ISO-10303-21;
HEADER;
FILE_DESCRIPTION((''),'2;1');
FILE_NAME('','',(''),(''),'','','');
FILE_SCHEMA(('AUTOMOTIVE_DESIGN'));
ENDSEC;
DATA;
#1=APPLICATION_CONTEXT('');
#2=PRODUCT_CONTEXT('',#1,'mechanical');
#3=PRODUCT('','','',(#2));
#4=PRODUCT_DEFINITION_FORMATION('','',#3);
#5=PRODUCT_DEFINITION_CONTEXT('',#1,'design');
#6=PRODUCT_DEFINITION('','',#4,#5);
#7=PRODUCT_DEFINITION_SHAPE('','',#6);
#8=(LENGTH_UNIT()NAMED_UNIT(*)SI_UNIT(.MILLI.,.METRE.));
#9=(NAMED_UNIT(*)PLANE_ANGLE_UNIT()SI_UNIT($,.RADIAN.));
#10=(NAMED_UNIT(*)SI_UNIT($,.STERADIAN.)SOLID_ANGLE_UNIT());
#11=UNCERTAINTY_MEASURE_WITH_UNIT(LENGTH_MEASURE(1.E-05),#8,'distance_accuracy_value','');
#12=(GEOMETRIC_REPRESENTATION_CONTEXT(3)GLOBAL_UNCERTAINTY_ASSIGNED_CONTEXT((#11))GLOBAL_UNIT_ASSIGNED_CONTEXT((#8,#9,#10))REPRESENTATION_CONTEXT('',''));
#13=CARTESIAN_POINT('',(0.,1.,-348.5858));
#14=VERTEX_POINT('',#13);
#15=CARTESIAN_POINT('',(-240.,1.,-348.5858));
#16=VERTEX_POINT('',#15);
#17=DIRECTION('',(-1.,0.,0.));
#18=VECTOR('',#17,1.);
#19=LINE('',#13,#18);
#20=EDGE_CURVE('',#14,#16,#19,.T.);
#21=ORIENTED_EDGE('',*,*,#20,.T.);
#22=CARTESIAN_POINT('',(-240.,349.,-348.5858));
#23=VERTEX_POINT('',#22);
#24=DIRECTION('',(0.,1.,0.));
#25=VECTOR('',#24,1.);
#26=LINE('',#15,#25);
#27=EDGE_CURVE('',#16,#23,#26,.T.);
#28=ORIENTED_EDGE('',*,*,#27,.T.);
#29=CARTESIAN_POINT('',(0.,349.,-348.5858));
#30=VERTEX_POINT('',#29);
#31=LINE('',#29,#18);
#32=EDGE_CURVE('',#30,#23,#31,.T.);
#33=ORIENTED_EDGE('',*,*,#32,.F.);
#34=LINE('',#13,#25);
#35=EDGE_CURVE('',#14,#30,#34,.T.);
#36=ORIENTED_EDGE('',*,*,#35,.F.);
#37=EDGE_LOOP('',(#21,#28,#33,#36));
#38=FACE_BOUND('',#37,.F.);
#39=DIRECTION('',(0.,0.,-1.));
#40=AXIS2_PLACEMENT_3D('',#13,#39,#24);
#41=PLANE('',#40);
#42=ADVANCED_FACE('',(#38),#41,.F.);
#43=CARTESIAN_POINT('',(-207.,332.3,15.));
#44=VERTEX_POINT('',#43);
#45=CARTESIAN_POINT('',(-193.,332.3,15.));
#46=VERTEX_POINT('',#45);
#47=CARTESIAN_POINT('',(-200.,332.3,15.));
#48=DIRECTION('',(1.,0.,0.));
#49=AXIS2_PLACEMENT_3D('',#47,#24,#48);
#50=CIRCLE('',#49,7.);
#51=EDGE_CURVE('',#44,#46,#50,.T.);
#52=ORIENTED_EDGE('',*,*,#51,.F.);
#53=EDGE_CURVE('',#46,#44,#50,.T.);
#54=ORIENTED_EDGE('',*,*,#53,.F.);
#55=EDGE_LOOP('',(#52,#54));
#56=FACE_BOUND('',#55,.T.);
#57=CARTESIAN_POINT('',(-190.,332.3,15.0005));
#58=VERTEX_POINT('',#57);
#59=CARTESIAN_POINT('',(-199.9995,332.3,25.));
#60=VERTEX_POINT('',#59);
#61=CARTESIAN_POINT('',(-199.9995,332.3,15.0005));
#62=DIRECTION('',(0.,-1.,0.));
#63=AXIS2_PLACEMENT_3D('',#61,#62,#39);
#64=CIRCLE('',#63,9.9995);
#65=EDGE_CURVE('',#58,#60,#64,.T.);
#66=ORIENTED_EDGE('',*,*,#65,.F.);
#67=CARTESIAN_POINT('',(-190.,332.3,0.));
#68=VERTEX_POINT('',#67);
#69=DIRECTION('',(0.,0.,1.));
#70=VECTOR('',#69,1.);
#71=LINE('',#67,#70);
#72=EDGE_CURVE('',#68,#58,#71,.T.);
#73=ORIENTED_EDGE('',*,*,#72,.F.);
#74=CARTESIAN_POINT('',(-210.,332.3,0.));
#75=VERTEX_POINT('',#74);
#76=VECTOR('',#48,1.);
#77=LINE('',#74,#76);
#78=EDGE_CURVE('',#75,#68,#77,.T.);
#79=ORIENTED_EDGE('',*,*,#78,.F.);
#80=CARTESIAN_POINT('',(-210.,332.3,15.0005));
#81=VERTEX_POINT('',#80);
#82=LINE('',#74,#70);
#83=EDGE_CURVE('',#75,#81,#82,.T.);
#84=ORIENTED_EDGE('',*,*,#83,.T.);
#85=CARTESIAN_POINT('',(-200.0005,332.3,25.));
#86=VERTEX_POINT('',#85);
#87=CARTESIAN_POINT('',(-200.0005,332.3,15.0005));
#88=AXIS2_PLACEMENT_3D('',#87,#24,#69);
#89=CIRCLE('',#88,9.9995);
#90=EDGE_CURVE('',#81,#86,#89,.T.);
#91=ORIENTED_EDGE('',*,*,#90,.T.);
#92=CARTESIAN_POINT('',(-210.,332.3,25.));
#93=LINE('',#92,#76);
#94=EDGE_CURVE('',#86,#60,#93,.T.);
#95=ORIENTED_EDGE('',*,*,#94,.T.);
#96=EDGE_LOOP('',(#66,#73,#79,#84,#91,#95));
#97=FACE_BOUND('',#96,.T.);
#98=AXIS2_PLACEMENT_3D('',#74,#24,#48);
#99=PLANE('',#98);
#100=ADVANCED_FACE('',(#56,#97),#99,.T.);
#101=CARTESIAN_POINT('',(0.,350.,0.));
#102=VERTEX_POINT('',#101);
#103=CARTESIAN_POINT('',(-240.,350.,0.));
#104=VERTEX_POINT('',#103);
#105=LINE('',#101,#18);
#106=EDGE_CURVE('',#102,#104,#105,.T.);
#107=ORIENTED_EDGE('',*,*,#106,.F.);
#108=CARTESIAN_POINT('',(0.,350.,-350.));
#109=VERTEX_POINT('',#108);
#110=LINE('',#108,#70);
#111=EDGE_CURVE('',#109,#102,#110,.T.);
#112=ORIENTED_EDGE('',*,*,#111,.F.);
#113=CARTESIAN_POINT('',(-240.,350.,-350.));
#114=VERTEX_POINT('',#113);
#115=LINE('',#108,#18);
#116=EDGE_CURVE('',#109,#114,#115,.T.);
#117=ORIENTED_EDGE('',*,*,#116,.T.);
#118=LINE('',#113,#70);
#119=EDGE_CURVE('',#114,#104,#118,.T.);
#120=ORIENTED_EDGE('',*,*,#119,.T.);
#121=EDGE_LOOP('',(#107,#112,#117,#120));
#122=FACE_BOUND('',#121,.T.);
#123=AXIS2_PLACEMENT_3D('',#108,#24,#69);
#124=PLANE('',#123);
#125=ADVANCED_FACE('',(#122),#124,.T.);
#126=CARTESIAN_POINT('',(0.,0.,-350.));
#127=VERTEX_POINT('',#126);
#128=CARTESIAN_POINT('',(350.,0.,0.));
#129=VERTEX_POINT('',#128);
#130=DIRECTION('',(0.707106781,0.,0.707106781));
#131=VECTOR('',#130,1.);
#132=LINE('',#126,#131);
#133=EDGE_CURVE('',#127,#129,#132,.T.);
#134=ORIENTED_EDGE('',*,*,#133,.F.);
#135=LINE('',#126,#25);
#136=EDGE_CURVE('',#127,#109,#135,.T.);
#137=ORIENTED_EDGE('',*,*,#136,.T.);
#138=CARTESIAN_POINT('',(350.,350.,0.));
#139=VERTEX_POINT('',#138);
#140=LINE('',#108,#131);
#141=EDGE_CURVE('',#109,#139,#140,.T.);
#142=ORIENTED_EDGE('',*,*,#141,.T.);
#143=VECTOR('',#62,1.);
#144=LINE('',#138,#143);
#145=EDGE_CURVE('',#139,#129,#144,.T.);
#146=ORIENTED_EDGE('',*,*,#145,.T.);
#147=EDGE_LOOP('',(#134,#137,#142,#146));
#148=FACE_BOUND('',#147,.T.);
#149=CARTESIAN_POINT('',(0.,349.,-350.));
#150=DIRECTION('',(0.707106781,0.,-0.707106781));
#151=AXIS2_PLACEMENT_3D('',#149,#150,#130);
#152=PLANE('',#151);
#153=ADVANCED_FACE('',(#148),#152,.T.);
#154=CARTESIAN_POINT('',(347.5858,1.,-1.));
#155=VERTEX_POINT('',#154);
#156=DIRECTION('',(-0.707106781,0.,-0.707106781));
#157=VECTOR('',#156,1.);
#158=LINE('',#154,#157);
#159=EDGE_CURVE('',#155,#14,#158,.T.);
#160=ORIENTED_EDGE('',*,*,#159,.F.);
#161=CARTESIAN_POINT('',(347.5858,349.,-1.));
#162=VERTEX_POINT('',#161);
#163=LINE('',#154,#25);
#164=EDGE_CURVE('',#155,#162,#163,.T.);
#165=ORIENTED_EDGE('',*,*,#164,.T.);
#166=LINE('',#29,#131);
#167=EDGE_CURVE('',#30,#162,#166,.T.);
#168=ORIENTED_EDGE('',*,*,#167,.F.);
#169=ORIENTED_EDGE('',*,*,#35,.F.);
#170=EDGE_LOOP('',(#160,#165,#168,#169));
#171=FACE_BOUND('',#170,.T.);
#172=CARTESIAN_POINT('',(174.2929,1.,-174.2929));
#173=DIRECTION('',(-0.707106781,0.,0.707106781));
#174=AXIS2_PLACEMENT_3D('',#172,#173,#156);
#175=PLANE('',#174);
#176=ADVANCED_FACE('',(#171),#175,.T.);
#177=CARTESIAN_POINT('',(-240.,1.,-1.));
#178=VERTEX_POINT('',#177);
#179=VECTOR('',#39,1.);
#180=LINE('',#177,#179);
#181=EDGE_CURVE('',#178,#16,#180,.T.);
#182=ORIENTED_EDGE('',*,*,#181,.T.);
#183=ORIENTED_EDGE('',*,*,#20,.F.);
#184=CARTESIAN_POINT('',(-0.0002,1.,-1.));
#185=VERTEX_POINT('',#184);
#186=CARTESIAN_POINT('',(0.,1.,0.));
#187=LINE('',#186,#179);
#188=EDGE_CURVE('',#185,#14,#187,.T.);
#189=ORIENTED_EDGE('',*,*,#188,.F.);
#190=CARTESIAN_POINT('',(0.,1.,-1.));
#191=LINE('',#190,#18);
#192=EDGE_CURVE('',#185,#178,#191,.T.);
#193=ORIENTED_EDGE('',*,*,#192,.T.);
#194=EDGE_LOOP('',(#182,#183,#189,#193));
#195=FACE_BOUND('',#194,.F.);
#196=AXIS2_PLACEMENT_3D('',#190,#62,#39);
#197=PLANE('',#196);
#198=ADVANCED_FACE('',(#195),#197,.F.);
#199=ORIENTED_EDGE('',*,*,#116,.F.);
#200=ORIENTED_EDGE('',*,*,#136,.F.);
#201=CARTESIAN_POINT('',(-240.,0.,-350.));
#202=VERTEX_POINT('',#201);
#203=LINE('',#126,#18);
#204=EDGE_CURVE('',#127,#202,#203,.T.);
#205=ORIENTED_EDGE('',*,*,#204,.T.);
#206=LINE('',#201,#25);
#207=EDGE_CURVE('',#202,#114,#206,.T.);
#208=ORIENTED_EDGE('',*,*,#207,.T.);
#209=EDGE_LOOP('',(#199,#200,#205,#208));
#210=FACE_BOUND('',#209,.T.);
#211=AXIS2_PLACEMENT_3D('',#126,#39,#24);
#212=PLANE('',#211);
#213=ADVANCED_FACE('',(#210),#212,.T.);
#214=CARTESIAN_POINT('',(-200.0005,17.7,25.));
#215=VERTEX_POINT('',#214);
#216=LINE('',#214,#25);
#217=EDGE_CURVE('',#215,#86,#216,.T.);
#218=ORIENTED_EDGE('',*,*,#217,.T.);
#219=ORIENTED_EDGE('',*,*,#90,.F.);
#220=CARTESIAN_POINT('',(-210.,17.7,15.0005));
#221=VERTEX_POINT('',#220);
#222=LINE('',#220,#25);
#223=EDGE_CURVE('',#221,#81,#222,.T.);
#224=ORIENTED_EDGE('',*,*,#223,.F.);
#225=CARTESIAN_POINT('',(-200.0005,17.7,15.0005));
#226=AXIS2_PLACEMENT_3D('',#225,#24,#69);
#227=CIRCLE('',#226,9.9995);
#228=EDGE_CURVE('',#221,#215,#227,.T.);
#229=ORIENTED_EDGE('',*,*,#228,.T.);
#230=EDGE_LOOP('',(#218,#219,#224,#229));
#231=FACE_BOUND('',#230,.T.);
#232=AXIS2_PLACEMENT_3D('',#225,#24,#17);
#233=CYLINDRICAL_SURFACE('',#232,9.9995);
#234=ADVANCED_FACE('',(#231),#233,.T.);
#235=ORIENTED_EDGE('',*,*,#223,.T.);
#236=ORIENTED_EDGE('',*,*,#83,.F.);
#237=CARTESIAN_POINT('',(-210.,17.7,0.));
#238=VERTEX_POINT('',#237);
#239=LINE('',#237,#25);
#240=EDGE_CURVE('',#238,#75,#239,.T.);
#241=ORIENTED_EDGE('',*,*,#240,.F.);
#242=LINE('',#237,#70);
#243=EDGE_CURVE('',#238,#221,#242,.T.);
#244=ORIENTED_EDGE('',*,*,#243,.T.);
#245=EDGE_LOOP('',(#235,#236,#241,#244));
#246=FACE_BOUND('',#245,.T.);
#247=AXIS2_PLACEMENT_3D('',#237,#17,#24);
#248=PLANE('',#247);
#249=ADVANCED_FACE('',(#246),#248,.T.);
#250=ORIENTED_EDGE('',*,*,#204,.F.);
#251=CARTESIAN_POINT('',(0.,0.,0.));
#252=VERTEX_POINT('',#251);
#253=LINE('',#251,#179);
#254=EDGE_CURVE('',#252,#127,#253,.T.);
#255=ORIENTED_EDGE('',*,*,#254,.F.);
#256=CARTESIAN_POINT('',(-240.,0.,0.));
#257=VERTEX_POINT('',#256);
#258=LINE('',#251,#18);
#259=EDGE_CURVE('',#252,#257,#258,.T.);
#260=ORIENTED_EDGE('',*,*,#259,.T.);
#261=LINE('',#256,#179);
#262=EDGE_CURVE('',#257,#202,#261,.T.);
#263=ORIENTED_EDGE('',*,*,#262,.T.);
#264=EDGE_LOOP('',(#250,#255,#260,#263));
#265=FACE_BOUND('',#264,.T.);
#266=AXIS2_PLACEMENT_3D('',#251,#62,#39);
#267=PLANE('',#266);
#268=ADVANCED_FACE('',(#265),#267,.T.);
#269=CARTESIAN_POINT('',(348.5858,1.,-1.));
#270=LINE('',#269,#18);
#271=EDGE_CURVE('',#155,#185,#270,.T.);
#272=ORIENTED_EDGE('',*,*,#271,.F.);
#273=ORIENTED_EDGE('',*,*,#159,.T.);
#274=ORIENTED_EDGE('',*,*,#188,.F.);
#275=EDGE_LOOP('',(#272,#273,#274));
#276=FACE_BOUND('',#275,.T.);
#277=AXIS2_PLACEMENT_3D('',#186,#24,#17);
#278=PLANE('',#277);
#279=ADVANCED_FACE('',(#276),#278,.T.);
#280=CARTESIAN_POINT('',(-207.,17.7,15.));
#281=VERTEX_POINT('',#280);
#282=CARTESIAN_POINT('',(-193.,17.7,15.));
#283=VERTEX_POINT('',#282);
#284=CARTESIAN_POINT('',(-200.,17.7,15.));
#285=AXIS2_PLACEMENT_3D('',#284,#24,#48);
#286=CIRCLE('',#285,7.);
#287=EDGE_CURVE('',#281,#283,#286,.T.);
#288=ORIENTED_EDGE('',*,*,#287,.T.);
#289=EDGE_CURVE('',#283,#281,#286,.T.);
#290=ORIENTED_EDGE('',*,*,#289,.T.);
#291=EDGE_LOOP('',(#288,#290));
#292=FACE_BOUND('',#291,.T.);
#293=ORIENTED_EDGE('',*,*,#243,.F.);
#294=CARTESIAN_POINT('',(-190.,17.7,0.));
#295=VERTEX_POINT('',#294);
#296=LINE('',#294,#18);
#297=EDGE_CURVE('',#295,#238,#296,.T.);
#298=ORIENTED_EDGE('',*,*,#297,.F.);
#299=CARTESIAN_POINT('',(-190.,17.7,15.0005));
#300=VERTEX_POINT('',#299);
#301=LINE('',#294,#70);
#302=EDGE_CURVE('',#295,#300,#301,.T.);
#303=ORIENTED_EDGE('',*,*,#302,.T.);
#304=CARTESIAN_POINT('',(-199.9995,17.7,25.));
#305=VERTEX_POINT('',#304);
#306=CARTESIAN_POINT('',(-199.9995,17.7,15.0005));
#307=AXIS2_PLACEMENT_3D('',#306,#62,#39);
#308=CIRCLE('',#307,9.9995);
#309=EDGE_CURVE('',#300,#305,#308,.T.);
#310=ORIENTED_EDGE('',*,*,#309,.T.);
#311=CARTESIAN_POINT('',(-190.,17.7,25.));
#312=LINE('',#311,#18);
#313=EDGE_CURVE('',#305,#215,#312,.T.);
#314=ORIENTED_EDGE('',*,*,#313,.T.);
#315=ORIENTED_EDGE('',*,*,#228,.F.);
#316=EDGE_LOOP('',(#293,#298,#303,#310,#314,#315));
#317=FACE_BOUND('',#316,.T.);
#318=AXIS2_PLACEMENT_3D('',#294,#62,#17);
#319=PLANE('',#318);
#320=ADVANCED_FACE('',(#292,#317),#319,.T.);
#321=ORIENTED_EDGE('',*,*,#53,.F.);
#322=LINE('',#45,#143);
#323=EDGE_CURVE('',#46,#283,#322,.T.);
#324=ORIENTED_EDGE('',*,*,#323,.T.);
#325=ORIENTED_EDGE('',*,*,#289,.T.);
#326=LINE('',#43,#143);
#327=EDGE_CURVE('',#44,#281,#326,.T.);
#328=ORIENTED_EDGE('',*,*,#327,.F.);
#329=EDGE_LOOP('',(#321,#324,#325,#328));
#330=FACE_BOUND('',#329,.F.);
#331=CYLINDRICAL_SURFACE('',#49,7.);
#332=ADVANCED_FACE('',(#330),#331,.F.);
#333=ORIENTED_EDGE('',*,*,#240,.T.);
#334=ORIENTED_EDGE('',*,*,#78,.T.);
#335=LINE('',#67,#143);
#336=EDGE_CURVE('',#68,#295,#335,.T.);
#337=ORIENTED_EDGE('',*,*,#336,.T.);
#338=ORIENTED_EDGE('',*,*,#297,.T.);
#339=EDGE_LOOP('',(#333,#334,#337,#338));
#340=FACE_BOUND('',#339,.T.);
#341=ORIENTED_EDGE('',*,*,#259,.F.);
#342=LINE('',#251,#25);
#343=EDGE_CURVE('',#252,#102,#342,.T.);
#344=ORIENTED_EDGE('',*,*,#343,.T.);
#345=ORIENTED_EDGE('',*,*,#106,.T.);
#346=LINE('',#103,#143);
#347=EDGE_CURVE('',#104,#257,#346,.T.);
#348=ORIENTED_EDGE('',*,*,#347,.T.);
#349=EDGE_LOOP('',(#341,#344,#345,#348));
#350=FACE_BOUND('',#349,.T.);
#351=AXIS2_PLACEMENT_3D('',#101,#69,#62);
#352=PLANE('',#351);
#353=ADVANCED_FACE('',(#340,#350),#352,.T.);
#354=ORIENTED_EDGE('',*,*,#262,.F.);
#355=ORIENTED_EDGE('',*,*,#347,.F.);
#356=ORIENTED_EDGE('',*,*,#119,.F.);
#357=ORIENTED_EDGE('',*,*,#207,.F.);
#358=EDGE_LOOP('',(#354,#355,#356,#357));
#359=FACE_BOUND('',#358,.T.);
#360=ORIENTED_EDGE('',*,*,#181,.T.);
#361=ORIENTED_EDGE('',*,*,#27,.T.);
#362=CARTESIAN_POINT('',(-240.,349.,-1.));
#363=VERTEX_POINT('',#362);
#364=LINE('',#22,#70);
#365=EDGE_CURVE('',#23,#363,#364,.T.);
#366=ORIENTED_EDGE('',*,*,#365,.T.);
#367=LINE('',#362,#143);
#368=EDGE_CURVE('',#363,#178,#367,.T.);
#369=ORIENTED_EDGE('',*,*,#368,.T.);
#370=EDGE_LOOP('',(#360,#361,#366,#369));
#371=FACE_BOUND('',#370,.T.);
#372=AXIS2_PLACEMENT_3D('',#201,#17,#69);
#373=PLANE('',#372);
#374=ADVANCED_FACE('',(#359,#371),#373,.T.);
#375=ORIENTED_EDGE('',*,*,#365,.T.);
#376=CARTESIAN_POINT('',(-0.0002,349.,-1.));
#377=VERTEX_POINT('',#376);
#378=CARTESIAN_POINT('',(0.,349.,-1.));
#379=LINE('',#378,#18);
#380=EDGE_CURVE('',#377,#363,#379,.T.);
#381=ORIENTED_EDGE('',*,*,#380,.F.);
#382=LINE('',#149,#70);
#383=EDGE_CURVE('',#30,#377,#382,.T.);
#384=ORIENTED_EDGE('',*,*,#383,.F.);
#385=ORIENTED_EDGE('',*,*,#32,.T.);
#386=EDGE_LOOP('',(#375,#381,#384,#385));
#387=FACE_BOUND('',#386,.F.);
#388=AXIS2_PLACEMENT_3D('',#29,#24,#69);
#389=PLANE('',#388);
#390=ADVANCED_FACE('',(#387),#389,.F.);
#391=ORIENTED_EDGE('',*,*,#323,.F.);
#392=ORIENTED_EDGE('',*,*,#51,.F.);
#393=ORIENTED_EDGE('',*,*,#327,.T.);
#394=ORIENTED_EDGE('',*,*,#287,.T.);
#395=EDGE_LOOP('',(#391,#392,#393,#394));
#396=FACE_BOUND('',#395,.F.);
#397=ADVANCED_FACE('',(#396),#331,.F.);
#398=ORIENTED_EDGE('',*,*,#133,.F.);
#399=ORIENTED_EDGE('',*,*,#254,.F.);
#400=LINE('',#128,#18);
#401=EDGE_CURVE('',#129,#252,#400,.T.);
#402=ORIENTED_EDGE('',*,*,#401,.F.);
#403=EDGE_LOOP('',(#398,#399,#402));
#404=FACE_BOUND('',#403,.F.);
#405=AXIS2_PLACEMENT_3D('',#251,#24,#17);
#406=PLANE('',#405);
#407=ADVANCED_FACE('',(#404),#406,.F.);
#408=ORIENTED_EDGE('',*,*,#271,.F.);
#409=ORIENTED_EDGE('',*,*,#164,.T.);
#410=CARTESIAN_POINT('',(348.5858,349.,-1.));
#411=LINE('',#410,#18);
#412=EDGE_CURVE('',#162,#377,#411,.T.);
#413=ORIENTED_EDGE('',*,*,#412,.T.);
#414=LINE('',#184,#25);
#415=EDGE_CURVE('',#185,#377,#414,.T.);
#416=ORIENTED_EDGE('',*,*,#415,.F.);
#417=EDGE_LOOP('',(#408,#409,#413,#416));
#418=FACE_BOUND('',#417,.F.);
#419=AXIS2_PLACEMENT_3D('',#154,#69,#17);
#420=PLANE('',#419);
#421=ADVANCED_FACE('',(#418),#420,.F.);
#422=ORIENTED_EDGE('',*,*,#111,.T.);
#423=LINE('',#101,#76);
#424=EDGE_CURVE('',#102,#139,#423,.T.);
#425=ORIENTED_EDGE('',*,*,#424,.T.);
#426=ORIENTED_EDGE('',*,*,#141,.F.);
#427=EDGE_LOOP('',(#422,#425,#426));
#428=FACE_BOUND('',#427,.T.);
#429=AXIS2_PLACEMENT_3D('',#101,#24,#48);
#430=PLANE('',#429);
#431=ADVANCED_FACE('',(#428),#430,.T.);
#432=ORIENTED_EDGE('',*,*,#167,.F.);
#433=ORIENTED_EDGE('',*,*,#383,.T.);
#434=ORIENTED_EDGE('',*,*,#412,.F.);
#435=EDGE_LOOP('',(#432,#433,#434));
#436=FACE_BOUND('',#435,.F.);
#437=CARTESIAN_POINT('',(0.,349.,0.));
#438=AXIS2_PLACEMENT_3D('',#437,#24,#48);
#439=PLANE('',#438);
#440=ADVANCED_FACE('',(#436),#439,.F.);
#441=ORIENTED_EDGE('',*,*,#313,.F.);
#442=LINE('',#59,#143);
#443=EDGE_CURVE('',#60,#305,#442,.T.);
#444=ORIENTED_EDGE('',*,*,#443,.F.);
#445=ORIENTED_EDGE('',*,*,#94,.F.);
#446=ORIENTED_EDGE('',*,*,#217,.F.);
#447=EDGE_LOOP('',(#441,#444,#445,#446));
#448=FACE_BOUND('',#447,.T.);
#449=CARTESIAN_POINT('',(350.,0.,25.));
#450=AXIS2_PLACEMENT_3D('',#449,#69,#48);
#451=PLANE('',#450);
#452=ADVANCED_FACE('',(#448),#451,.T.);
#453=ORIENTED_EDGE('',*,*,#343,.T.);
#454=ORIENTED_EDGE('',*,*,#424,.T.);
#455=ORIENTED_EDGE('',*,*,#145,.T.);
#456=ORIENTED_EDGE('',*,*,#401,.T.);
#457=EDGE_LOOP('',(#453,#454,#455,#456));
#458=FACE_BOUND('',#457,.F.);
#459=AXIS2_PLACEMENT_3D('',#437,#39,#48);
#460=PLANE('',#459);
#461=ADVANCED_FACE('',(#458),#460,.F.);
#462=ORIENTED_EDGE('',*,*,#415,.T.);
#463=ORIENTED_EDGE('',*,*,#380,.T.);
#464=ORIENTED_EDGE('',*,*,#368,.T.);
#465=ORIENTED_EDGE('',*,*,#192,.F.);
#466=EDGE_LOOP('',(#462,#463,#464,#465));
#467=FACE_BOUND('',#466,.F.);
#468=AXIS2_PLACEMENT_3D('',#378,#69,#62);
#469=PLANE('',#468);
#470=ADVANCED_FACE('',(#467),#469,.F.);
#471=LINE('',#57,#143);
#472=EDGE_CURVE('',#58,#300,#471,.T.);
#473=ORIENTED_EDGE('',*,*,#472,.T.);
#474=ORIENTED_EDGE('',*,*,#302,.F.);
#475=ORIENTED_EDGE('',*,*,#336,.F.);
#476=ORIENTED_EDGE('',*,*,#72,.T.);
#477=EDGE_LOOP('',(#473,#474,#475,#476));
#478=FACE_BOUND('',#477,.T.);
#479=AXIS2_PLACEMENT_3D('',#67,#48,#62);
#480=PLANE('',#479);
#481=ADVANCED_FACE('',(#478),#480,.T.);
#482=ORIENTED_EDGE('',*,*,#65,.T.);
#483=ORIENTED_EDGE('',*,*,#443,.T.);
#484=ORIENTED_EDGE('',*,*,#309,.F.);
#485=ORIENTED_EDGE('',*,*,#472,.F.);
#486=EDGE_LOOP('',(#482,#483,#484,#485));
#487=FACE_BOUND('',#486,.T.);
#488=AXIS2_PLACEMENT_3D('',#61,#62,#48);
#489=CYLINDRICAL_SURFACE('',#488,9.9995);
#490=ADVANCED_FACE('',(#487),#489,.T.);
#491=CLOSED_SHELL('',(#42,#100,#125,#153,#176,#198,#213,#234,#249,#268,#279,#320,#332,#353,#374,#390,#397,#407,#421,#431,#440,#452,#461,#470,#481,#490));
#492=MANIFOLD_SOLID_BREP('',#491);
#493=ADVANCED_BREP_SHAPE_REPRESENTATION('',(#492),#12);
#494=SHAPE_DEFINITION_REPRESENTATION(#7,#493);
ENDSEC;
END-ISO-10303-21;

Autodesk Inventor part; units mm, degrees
ref_plane "YZ Plane" through (0, 0, 0) normal (1, 0, 0) x (0, 1, 0)
ref_plane "XZ Plane" through (0, 0, 0) normal (0, 1, 0) x (-1, 0, 0)
ref_plane "XY Plane" through (0, 0, 0) normal (0, 0, 1) x (1, 0, 0)
sketch "Boceto1" plane through (0, 0, 0) normal (0, 1, 0) x (-1, 0, 0)
  line L0 (0, 0) -> (0, -350)
  line L1 (0, -350) -> (-350, 0)
  line L2 (-350, 0) -> (0, 0)
  dimension "d0" = 350
  dimension "d1" = 45
extrude "Extrusión1" add sketch "Boceto1" along normal blind 1
sketch "Boceto2" plane through (0, 1, 0) normal (0, 1, 0) x (1, 0, 0)
  line L0 (350, 0) -> (0, 350) projected
  line L1 (174.2929, 174.2929) -> (348.5858, 0)
  line L2 (0, 0) -> (350, 0) projected
  line L3 (174.2929, 174.2929) -> (420.7803, 174.2929) construction
  line L4 (348.5858, 1) -> (-0.0002, 1)
  line L5 (0, 350) -> (0, 0) projected
  line L6 (174.2929, 174.2929) -> (0, 348.5858)
  point P0 (347.5858, 1)
  point P1 (0, 1)
  dimension "d5" = 45
  dimension "d6" = 1
  dimension "d7" = 348.586
extrude "Extrusión2" add sketch "Boceto2" along normal blind 348 contours L2 L1 L6 L5 L0 | L2 L5 L4 L1
sketch "Boceto3" plane through (0, 349, 0) normal (0, 1, 0) x (1, 0, 0)
  line L0 (0, 350) -> (0, 0) projected
  line L1 (0, 0) -> (0, 350)
  line L2 (0, 0) -> (350, 0) projected
  line L3 (0, 350) -> (350, 0)
  line L4 (350, 0) -> (0, 0)
extrude "Extrusión3" add sketch "Boceto3" along normal blind 1
sketch "Boceto4" plane through (0, 0, -350) normal (-1, 0, 0) x (0, 0, 1)
  point P0 (350, 0)
sketch "Boceto5" plane through (0, 0, -350) normal (-1, 0, 0) x (0, 0, 1)
  line L0 (0, 0) -> (0, 350) projected
  line L1 (350, 0) -> (0, 0)
  line L2 (0, 0) -> (0, 350)
  line L3 (0, 350) -> (350, 350)
  line L4 (350, 350) -> (350, 0)
  line L5 (349, 1) -> (1.4142, 1) projected
  line L6 (1.4142, 1) -> (1.4142, 349) projected
  line L7 (349, 1) -> (1.4142, 1)
  line L8 (1.4142, 1) -> (1.4142, 349)
  line L9 (1.4142, 349) -> (349, 349)
  line L10 (349, 349) -> (349, 1)
extrude "Extrusión4" add sketch "Boceto5" along normal blind 240
sketch "Boceto6" plane through (350, 0, 0) normal (0, 0, 1) x (1, 0, 0)
  line L0 (-590, 0) -> (-590, 350) projected
  line L1 (-590, 350) -> (-560, 350)
  line L2 (-350, 349) -> (-590, 349) projected
  line L3 (-590, 350) -> (-560, 350) construction
  line L4 (-560, 350) -> (-560, 332.3)
  line L5 (-590, 0) -> (-560, 0)
  line L6 (-350, 1) -> (-590, 1) projected
  line L7 (-590, 0) -> (-560, 0) construction
  line L8 (-560, 0) -> (-560, 17.7)
  line L9 (-560, 332.3) -> (-540, 332.3)
  line L10 (-540, 332.3) -> (-540, 17.7)
  line L11 (-540, 17.7) -> (-560, 17.7)
  line L12 (-560, 17.7) -> (-560, 332.3)
  point P0 (-350, 0)
  dimension "d15" = 30
  dimension "d16" = 0
  dimension "d17" = 17.7
  dimension "d18" = 30
  dimension "d19" = 0
  dimension "d20" = 17.7
  dimension "d21" = 90
  dimension "d22" = 20
extrude "Extrusión5" add sketch "Boceto6" along normal blind 25 contours L12 L9 L10 L11
fillet "Empalme1" radius 10 2 edges at (-210, 175, 25) (-190, 175, 25)
sketch "Boceto8" plane through (-210, 332.3, 0) normal (0, 1, 0) x (1, 0, 0)
  line L0 (0, 0) -> (0, -15) projected
  line L1 (0, -15) -> (10, -15)
  circle A0 centre (10, -15) radius 7
  point P0 (210, 0)
  dimension "d29" = 10
  dimension "d30" = 14
extrude "Extrusión7" cut sketch "Boceto8" against normal blind 1000
properties part number "Cajon_ascensor_mejorsita"
